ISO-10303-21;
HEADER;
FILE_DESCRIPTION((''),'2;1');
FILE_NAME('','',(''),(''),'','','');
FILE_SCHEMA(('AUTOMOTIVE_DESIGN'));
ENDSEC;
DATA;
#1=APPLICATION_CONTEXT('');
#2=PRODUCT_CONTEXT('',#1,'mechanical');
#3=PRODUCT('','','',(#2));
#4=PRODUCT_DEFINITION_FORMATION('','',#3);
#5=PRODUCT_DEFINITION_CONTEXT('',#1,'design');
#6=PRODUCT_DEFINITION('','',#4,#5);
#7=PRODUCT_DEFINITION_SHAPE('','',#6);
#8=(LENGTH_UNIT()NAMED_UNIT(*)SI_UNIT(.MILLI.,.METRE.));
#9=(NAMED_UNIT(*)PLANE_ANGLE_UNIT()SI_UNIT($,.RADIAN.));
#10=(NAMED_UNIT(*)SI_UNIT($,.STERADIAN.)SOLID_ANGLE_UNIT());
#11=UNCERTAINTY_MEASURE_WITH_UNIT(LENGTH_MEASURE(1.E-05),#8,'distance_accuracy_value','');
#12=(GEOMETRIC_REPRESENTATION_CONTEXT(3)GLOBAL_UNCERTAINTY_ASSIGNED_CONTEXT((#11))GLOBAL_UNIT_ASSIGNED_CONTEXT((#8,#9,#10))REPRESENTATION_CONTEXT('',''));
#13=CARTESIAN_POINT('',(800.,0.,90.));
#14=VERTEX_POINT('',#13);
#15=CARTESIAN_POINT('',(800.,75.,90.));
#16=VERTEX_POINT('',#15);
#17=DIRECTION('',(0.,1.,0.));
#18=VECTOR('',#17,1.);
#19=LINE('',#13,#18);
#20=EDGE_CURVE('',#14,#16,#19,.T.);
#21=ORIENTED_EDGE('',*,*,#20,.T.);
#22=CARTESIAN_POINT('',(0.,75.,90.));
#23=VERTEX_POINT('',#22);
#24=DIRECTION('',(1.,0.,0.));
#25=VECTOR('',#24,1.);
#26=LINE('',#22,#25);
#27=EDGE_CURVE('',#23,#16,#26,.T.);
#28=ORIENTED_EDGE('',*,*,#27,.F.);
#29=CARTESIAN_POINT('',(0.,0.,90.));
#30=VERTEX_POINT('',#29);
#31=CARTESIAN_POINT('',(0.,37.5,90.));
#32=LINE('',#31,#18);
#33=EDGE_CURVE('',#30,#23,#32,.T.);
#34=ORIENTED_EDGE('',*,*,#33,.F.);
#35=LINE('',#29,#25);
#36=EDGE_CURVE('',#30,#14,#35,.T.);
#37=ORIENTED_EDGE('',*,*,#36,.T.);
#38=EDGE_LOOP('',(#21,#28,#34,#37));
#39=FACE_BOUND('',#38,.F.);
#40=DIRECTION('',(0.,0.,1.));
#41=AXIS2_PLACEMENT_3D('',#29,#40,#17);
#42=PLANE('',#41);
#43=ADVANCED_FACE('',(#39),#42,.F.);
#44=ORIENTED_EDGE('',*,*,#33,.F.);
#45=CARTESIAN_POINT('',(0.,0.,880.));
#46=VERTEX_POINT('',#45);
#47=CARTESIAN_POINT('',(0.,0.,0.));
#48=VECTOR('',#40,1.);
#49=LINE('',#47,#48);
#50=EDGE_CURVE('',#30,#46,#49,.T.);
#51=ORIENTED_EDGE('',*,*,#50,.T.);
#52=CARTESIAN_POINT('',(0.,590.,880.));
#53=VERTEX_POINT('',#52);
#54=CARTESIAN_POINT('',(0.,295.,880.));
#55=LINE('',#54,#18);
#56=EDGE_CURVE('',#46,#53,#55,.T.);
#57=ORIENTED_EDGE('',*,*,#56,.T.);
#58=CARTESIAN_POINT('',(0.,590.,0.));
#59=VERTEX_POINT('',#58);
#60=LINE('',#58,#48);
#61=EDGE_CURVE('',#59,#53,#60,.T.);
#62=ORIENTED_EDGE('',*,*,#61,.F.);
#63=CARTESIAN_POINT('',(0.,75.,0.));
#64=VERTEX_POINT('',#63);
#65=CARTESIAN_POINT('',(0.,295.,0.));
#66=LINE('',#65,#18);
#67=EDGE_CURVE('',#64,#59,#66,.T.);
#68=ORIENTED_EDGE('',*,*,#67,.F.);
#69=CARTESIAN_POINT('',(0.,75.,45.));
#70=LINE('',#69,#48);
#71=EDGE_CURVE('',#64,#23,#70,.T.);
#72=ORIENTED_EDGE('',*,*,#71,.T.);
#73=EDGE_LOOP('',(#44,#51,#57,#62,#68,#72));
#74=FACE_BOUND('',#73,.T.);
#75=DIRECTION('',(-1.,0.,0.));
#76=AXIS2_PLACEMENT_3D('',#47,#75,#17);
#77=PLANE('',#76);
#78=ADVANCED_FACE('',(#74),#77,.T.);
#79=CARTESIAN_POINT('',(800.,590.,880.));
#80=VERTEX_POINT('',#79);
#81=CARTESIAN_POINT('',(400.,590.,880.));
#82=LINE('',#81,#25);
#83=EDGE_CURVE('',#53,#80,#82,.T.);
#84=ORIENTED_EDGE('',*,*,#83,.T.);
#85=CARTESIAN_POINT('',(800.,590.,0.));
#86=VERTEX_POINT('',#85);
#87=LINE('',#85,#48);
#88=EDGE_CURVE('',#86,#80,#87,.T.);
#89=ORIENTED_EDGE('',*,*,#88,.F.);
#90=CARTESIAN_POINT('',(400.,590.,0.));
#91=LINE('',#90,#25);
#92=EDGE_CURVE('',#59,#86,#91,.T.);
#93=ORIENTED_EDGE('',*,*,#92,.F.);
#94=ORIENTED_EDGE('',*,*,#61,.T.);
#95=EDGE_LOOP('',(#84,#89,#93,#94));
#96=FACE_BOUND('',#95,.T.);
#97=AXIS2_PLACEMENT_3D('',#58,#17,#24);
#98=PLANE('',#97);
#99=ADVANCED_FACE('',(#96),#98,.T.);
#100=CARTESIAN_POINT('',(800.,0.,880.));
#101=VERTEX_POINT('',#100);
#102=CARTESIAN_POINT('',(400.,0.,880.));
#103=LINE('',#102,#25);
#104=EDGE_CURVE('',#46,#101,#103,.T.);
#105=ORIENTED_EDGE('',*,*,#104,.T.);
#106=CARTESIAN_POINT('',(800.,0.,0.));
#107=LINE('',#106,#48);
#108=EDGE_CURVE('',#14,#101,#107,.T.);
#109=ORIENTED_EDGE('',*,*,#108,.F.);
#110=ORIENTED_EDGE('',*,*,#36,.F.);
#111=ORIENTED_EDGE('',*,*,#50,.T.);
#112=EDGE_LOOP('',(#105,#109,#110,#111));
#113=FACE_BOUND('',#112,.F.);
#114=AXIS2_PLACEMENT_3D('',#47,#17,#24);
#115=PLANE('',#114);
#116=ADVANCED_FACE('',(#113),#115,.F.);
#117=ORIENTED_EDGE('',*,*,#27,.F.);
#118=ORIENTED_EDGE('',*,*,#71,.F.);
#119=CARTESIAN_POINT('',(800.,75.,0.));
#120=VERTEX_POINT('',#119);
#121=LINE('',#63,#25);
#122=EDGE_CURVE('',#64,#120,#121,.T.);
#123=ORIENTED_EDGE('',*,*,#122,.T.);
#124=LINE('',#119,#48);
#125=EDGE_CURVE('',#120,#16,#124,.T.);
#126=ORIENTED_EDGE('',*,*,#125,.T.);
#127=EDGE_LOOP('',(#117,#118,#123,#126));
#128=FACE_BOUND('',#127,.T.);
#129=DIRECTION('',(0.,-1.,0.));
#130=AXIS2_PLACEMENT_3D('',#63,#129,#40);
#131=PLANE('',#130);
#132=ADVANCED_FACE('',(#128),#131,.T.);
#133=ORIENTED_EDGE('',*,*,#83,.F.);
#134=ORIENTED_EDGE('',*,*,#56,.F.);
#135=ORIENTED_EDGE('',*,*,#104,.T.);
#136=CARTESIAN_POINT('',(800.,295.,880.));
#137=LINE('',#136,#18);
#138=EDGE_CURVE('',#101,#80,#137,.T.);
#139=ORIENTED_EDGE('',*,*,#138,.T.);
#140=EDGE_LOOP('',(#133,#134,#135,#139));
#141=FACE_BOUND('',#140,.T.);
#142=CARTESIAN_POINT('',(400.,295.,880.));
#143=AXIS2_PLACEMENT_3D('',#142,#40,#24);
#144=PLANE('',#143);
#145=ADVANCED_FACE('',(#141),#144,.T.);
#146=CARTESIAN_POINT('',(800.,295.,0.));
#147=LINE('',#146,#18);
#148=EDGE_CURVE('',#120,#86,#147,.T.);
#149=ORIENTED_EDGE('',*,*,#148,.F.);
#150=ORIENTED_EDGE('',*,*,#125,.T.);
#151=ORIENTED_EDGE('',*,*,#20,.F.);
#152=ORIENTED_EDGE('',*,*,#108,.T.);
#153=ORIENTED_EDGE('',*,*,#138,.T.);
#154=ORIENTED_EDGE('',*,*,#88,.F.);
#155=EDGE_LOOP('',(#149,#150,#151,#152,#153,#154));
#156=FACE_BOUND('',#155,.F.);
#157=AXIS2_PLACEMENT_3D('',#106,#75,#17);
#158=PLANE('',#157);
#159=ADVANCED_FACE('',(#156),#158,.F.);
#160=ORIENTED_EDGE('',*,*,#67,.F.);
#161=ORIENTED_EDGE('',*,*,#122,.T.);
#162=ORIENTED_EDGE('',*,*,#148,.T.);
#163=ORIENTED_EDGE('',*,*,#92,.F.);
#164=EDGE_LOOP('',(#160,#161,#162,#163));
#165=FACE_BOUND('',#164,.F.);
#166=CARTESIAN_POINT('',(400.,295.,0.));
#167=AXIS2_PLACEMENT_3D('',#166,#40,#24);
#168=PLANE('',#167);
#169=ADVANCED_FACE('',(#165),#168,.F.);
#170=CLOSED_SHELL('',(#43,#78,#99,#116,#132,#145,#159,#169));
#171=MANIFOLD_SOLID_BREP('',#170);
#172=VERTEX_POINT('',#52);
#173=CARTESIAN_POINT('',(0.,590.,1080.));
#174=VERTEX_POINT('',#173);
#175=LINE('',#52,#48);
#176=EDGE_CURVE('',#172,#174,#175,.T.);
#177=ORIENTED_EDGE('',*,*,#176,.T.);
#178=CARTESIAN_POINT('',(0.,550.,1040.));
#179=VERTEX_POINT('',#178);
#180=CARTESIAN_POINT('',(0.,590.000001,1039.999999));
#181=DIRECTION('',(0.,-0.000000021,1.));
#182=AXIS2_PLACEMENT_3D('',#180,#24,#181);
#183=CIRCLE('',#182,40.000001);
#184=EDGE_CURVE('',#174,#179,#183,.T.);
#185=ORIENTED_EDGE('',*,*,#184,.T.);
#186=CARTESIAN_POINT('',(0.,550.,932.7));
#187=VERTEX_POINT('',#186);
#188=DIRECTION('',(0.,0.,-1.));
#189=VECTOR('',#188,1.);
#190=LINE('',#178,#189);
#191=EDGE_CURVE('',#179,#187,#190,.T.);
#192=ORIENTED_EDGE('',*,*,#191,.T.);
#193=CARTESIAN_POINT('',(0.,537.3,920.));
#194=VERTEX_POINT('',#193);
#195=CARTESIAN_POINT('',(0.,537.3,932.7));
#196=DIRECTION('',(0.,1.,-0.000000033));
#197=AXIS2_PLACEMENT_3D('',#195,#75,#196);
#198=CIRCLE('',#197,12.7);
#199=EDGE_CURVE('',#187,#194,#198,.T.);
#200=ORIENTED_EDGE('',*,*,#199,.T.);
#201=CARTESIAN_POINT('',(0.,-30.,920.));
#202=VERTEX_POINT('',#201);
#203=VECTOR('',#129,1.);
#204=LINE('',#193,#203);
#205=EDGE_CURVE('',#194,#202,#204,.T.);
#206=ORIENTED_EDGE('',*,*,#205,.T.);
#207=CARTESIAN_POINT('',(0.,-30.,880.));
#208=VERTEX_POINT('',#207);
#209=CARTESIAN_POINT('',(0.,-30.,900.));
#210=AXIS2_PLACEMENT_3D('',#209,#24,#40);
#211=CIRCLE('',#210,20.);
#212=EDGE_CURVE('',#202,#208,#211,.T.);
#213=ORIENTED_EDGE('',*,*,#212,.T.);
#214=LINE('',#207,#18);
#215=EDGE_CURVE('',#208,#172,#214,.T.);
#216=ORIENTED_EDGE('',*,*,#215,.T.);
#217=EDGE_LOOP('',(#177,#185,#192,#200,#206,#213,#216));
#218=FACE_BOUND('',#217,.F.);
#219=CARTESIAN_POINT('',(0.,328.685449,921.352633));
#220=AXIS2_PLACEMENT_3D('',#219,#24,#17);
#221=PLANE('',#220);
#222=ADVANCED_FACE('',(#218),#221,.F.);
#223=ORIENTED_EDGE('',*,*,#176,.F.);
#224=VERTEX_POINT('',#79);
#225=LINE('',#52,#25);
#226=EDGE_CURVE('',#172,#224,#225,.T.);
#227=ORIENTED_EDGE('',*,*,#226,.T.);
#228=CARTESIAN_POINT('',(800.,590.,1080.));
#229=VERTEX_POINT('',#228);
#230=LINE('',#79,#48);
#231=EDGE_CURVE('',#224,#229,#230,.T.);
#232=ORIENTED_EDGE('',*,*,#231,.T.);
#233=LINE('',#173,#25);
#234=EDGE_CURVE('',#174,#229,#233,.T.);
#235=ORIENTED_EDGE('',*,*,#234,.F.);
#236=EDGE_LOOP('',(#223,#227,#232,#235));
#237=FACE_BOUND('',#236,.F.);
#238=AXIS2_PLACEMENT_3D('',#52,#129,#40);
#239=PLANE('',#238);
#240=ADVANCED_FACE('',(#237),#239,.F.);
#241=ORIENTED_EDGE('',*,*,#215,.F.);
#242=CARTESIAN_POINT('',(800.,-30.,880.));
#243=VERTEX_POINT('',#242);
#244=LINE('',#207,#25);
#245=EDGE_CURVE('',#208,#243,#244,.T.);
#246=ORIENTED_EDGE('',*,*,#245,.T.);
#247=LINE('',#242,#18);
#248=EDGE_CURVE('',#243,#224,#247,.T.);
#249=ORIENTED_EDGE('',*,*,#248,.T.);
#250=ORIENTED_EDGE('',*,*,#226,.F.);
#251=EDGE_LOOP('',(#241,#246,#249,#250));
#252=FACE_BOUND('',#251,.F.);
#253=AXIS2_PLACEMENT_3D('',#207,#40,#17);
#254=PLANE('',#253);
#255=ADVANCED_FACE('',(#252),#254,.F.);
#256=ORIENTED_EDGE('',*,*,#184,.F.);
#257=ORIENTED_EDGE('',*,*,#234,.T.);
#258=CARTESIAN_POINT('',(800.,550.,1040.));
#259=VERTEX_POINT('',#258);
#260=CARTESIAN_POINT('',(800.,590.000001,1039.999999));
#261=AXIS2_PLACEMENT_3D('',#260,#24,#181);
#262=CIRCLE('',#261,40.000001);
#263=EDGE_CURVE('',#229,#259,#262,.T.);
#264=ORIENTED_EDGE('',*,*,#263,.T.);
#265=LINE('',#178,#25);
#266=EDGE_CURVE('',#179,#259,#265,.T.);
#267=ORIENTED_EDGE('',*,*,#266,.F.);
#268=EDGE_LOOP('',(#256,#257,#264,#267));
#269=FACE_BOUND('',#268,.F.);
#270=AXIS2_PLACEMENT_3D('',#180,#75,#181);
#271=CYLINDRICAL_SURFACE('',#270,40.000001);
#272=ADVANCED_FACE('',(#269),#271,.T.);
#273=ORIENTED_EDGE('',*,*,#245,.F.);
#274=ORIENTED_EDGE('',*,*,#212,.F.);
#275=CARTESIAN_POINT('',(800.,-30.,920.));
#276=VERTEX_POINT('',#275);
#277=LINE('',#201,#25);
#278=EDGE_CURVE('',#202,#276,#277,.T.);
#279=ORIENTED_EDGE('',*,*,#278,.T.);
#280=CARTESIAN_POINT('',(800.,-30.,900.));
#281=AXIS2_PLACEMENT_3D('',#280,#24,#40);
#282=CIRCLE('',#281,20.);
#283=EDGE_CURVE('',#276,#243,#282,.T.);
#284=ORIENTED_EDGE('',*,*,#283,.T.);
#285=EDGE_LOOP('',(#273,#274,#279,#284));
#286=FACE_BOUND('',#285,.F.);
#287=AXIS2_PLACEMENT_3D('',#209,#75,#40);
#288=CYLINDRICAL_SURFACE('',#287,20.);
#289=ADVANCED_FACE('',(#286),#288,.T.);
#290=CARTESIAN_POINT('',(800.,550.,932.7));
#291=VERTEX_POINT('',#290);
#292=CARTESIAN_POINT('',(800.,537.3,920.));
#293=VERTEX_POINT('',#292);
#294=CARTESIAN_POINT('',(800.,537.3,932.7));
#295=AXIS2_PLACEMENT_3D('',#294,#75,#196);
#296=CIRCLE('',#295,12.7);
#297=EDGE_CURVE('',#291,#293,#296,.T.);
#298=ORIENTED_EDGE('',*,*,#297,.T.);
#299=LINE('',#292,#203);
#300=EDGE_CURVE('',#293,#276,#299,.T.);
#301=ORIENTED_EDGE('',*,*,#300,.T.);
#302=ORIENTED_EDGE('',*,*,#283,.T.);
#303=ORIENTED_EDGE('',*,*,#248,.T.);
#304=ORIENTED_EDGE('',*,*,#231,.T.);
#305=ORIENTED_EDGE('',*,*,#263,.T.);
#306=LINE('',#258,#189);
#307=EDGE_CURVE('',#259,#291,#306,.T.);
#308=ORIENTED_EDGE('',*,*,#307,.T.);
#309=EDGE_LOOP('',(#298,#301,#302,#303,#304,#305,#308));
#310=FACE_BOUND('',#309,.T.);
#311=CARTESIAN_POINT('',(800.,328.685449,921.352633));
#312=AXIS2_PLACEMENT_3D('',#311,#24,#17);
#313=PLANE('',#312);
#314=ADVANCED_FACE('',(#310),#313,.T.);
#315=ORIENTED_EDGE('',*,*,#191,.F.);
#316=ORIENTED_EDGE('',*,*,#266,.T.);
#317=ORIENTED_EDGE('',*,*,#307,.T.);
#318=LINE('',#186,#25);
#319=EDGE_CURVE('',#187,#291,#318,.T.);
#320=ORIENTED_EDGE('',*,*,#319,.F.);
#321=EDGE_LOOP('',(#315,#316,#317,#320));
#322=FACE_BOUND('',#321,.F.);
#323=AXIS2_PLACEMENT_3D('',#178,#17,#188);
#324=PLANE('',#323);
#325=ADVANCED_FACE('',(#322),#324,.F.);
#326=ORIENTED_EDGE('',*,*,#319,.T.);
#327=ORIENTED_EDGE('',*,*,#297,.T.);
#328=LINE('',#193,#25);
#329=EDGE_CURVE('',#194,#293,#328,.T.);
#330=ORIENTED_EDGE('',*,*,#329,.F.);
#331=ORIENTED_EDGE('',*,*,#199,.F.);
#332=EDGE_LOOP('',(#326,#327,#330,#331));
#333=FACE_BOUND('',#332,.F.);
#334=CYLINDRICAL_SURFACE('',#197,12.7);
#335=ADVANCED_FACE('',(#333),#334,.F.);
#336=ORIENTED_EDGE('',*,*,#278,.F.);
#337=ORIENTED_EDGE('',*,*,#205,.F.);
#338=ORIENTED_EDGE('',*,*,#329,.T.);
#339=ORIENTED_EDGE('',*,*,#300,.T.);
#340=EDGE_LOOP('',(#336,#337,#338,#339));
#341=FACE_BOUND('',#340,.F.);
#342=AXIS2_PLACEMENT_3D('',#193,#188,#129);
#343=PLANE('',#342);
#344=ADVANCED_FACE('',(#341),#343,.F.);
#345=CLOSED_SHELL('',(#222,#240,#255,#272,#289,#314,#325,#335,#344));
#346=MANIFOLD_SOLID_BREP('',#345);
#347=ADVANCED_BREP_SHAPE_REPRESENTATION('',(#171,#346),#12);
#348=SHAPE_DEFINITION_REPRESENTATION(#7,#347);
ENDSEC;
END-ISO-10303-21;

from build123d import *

# Parameters (mm, degrees)
F0_W     = 800
F0_H     = 590
F1_DEPTH = 880
F2_W     = 75
F2_H     = 90
F3_DEPTH = 800.001
F5_DEPTH = 800


with BuildPart() as f1:
    # F0 (on Top) → F1 (new body)
    with BuildSketch(Plane.XY):
        with Locations((400, 295)):
            Rectangle(F0_W, F0_H)
    extrude(amount=F1_DEPTH)

    # F2 (on Right) → F3 (cut, through all)
    with BuildSketch(Plane.YZ):
        with Locations((37.5, 45)):
            Rectangle(F2_W, F2_H)
    extrude(amount=F3_DEPTH, mode=Mode.SUBTRACT)


with BuildPart() as f5:
    # F4 (on Right) → F5 (new body, through all)
    with BuildSketch(Plane.YZ):
        with BuildLine():
            Line((-30, 880), (590, 880))
            Line((590, 880), (590, 1080))
            ThreePointArc((590, 1080), (561.715729, 1068.284271), (550, 1040))
            Line((550, 1040), (550, 932.7))
            ThreePointArc((550, 932.7), (546.280256, 923.719744), (537.3, 920))
            Line((537.3, 920), (-30, 920))
            ThreePointArc((-30, 920), (-50, 900), (-30, 880))
        make_face()
    extrude(amount=F5_DEPTH)


solid = Compound([f1.part, f5.part])
